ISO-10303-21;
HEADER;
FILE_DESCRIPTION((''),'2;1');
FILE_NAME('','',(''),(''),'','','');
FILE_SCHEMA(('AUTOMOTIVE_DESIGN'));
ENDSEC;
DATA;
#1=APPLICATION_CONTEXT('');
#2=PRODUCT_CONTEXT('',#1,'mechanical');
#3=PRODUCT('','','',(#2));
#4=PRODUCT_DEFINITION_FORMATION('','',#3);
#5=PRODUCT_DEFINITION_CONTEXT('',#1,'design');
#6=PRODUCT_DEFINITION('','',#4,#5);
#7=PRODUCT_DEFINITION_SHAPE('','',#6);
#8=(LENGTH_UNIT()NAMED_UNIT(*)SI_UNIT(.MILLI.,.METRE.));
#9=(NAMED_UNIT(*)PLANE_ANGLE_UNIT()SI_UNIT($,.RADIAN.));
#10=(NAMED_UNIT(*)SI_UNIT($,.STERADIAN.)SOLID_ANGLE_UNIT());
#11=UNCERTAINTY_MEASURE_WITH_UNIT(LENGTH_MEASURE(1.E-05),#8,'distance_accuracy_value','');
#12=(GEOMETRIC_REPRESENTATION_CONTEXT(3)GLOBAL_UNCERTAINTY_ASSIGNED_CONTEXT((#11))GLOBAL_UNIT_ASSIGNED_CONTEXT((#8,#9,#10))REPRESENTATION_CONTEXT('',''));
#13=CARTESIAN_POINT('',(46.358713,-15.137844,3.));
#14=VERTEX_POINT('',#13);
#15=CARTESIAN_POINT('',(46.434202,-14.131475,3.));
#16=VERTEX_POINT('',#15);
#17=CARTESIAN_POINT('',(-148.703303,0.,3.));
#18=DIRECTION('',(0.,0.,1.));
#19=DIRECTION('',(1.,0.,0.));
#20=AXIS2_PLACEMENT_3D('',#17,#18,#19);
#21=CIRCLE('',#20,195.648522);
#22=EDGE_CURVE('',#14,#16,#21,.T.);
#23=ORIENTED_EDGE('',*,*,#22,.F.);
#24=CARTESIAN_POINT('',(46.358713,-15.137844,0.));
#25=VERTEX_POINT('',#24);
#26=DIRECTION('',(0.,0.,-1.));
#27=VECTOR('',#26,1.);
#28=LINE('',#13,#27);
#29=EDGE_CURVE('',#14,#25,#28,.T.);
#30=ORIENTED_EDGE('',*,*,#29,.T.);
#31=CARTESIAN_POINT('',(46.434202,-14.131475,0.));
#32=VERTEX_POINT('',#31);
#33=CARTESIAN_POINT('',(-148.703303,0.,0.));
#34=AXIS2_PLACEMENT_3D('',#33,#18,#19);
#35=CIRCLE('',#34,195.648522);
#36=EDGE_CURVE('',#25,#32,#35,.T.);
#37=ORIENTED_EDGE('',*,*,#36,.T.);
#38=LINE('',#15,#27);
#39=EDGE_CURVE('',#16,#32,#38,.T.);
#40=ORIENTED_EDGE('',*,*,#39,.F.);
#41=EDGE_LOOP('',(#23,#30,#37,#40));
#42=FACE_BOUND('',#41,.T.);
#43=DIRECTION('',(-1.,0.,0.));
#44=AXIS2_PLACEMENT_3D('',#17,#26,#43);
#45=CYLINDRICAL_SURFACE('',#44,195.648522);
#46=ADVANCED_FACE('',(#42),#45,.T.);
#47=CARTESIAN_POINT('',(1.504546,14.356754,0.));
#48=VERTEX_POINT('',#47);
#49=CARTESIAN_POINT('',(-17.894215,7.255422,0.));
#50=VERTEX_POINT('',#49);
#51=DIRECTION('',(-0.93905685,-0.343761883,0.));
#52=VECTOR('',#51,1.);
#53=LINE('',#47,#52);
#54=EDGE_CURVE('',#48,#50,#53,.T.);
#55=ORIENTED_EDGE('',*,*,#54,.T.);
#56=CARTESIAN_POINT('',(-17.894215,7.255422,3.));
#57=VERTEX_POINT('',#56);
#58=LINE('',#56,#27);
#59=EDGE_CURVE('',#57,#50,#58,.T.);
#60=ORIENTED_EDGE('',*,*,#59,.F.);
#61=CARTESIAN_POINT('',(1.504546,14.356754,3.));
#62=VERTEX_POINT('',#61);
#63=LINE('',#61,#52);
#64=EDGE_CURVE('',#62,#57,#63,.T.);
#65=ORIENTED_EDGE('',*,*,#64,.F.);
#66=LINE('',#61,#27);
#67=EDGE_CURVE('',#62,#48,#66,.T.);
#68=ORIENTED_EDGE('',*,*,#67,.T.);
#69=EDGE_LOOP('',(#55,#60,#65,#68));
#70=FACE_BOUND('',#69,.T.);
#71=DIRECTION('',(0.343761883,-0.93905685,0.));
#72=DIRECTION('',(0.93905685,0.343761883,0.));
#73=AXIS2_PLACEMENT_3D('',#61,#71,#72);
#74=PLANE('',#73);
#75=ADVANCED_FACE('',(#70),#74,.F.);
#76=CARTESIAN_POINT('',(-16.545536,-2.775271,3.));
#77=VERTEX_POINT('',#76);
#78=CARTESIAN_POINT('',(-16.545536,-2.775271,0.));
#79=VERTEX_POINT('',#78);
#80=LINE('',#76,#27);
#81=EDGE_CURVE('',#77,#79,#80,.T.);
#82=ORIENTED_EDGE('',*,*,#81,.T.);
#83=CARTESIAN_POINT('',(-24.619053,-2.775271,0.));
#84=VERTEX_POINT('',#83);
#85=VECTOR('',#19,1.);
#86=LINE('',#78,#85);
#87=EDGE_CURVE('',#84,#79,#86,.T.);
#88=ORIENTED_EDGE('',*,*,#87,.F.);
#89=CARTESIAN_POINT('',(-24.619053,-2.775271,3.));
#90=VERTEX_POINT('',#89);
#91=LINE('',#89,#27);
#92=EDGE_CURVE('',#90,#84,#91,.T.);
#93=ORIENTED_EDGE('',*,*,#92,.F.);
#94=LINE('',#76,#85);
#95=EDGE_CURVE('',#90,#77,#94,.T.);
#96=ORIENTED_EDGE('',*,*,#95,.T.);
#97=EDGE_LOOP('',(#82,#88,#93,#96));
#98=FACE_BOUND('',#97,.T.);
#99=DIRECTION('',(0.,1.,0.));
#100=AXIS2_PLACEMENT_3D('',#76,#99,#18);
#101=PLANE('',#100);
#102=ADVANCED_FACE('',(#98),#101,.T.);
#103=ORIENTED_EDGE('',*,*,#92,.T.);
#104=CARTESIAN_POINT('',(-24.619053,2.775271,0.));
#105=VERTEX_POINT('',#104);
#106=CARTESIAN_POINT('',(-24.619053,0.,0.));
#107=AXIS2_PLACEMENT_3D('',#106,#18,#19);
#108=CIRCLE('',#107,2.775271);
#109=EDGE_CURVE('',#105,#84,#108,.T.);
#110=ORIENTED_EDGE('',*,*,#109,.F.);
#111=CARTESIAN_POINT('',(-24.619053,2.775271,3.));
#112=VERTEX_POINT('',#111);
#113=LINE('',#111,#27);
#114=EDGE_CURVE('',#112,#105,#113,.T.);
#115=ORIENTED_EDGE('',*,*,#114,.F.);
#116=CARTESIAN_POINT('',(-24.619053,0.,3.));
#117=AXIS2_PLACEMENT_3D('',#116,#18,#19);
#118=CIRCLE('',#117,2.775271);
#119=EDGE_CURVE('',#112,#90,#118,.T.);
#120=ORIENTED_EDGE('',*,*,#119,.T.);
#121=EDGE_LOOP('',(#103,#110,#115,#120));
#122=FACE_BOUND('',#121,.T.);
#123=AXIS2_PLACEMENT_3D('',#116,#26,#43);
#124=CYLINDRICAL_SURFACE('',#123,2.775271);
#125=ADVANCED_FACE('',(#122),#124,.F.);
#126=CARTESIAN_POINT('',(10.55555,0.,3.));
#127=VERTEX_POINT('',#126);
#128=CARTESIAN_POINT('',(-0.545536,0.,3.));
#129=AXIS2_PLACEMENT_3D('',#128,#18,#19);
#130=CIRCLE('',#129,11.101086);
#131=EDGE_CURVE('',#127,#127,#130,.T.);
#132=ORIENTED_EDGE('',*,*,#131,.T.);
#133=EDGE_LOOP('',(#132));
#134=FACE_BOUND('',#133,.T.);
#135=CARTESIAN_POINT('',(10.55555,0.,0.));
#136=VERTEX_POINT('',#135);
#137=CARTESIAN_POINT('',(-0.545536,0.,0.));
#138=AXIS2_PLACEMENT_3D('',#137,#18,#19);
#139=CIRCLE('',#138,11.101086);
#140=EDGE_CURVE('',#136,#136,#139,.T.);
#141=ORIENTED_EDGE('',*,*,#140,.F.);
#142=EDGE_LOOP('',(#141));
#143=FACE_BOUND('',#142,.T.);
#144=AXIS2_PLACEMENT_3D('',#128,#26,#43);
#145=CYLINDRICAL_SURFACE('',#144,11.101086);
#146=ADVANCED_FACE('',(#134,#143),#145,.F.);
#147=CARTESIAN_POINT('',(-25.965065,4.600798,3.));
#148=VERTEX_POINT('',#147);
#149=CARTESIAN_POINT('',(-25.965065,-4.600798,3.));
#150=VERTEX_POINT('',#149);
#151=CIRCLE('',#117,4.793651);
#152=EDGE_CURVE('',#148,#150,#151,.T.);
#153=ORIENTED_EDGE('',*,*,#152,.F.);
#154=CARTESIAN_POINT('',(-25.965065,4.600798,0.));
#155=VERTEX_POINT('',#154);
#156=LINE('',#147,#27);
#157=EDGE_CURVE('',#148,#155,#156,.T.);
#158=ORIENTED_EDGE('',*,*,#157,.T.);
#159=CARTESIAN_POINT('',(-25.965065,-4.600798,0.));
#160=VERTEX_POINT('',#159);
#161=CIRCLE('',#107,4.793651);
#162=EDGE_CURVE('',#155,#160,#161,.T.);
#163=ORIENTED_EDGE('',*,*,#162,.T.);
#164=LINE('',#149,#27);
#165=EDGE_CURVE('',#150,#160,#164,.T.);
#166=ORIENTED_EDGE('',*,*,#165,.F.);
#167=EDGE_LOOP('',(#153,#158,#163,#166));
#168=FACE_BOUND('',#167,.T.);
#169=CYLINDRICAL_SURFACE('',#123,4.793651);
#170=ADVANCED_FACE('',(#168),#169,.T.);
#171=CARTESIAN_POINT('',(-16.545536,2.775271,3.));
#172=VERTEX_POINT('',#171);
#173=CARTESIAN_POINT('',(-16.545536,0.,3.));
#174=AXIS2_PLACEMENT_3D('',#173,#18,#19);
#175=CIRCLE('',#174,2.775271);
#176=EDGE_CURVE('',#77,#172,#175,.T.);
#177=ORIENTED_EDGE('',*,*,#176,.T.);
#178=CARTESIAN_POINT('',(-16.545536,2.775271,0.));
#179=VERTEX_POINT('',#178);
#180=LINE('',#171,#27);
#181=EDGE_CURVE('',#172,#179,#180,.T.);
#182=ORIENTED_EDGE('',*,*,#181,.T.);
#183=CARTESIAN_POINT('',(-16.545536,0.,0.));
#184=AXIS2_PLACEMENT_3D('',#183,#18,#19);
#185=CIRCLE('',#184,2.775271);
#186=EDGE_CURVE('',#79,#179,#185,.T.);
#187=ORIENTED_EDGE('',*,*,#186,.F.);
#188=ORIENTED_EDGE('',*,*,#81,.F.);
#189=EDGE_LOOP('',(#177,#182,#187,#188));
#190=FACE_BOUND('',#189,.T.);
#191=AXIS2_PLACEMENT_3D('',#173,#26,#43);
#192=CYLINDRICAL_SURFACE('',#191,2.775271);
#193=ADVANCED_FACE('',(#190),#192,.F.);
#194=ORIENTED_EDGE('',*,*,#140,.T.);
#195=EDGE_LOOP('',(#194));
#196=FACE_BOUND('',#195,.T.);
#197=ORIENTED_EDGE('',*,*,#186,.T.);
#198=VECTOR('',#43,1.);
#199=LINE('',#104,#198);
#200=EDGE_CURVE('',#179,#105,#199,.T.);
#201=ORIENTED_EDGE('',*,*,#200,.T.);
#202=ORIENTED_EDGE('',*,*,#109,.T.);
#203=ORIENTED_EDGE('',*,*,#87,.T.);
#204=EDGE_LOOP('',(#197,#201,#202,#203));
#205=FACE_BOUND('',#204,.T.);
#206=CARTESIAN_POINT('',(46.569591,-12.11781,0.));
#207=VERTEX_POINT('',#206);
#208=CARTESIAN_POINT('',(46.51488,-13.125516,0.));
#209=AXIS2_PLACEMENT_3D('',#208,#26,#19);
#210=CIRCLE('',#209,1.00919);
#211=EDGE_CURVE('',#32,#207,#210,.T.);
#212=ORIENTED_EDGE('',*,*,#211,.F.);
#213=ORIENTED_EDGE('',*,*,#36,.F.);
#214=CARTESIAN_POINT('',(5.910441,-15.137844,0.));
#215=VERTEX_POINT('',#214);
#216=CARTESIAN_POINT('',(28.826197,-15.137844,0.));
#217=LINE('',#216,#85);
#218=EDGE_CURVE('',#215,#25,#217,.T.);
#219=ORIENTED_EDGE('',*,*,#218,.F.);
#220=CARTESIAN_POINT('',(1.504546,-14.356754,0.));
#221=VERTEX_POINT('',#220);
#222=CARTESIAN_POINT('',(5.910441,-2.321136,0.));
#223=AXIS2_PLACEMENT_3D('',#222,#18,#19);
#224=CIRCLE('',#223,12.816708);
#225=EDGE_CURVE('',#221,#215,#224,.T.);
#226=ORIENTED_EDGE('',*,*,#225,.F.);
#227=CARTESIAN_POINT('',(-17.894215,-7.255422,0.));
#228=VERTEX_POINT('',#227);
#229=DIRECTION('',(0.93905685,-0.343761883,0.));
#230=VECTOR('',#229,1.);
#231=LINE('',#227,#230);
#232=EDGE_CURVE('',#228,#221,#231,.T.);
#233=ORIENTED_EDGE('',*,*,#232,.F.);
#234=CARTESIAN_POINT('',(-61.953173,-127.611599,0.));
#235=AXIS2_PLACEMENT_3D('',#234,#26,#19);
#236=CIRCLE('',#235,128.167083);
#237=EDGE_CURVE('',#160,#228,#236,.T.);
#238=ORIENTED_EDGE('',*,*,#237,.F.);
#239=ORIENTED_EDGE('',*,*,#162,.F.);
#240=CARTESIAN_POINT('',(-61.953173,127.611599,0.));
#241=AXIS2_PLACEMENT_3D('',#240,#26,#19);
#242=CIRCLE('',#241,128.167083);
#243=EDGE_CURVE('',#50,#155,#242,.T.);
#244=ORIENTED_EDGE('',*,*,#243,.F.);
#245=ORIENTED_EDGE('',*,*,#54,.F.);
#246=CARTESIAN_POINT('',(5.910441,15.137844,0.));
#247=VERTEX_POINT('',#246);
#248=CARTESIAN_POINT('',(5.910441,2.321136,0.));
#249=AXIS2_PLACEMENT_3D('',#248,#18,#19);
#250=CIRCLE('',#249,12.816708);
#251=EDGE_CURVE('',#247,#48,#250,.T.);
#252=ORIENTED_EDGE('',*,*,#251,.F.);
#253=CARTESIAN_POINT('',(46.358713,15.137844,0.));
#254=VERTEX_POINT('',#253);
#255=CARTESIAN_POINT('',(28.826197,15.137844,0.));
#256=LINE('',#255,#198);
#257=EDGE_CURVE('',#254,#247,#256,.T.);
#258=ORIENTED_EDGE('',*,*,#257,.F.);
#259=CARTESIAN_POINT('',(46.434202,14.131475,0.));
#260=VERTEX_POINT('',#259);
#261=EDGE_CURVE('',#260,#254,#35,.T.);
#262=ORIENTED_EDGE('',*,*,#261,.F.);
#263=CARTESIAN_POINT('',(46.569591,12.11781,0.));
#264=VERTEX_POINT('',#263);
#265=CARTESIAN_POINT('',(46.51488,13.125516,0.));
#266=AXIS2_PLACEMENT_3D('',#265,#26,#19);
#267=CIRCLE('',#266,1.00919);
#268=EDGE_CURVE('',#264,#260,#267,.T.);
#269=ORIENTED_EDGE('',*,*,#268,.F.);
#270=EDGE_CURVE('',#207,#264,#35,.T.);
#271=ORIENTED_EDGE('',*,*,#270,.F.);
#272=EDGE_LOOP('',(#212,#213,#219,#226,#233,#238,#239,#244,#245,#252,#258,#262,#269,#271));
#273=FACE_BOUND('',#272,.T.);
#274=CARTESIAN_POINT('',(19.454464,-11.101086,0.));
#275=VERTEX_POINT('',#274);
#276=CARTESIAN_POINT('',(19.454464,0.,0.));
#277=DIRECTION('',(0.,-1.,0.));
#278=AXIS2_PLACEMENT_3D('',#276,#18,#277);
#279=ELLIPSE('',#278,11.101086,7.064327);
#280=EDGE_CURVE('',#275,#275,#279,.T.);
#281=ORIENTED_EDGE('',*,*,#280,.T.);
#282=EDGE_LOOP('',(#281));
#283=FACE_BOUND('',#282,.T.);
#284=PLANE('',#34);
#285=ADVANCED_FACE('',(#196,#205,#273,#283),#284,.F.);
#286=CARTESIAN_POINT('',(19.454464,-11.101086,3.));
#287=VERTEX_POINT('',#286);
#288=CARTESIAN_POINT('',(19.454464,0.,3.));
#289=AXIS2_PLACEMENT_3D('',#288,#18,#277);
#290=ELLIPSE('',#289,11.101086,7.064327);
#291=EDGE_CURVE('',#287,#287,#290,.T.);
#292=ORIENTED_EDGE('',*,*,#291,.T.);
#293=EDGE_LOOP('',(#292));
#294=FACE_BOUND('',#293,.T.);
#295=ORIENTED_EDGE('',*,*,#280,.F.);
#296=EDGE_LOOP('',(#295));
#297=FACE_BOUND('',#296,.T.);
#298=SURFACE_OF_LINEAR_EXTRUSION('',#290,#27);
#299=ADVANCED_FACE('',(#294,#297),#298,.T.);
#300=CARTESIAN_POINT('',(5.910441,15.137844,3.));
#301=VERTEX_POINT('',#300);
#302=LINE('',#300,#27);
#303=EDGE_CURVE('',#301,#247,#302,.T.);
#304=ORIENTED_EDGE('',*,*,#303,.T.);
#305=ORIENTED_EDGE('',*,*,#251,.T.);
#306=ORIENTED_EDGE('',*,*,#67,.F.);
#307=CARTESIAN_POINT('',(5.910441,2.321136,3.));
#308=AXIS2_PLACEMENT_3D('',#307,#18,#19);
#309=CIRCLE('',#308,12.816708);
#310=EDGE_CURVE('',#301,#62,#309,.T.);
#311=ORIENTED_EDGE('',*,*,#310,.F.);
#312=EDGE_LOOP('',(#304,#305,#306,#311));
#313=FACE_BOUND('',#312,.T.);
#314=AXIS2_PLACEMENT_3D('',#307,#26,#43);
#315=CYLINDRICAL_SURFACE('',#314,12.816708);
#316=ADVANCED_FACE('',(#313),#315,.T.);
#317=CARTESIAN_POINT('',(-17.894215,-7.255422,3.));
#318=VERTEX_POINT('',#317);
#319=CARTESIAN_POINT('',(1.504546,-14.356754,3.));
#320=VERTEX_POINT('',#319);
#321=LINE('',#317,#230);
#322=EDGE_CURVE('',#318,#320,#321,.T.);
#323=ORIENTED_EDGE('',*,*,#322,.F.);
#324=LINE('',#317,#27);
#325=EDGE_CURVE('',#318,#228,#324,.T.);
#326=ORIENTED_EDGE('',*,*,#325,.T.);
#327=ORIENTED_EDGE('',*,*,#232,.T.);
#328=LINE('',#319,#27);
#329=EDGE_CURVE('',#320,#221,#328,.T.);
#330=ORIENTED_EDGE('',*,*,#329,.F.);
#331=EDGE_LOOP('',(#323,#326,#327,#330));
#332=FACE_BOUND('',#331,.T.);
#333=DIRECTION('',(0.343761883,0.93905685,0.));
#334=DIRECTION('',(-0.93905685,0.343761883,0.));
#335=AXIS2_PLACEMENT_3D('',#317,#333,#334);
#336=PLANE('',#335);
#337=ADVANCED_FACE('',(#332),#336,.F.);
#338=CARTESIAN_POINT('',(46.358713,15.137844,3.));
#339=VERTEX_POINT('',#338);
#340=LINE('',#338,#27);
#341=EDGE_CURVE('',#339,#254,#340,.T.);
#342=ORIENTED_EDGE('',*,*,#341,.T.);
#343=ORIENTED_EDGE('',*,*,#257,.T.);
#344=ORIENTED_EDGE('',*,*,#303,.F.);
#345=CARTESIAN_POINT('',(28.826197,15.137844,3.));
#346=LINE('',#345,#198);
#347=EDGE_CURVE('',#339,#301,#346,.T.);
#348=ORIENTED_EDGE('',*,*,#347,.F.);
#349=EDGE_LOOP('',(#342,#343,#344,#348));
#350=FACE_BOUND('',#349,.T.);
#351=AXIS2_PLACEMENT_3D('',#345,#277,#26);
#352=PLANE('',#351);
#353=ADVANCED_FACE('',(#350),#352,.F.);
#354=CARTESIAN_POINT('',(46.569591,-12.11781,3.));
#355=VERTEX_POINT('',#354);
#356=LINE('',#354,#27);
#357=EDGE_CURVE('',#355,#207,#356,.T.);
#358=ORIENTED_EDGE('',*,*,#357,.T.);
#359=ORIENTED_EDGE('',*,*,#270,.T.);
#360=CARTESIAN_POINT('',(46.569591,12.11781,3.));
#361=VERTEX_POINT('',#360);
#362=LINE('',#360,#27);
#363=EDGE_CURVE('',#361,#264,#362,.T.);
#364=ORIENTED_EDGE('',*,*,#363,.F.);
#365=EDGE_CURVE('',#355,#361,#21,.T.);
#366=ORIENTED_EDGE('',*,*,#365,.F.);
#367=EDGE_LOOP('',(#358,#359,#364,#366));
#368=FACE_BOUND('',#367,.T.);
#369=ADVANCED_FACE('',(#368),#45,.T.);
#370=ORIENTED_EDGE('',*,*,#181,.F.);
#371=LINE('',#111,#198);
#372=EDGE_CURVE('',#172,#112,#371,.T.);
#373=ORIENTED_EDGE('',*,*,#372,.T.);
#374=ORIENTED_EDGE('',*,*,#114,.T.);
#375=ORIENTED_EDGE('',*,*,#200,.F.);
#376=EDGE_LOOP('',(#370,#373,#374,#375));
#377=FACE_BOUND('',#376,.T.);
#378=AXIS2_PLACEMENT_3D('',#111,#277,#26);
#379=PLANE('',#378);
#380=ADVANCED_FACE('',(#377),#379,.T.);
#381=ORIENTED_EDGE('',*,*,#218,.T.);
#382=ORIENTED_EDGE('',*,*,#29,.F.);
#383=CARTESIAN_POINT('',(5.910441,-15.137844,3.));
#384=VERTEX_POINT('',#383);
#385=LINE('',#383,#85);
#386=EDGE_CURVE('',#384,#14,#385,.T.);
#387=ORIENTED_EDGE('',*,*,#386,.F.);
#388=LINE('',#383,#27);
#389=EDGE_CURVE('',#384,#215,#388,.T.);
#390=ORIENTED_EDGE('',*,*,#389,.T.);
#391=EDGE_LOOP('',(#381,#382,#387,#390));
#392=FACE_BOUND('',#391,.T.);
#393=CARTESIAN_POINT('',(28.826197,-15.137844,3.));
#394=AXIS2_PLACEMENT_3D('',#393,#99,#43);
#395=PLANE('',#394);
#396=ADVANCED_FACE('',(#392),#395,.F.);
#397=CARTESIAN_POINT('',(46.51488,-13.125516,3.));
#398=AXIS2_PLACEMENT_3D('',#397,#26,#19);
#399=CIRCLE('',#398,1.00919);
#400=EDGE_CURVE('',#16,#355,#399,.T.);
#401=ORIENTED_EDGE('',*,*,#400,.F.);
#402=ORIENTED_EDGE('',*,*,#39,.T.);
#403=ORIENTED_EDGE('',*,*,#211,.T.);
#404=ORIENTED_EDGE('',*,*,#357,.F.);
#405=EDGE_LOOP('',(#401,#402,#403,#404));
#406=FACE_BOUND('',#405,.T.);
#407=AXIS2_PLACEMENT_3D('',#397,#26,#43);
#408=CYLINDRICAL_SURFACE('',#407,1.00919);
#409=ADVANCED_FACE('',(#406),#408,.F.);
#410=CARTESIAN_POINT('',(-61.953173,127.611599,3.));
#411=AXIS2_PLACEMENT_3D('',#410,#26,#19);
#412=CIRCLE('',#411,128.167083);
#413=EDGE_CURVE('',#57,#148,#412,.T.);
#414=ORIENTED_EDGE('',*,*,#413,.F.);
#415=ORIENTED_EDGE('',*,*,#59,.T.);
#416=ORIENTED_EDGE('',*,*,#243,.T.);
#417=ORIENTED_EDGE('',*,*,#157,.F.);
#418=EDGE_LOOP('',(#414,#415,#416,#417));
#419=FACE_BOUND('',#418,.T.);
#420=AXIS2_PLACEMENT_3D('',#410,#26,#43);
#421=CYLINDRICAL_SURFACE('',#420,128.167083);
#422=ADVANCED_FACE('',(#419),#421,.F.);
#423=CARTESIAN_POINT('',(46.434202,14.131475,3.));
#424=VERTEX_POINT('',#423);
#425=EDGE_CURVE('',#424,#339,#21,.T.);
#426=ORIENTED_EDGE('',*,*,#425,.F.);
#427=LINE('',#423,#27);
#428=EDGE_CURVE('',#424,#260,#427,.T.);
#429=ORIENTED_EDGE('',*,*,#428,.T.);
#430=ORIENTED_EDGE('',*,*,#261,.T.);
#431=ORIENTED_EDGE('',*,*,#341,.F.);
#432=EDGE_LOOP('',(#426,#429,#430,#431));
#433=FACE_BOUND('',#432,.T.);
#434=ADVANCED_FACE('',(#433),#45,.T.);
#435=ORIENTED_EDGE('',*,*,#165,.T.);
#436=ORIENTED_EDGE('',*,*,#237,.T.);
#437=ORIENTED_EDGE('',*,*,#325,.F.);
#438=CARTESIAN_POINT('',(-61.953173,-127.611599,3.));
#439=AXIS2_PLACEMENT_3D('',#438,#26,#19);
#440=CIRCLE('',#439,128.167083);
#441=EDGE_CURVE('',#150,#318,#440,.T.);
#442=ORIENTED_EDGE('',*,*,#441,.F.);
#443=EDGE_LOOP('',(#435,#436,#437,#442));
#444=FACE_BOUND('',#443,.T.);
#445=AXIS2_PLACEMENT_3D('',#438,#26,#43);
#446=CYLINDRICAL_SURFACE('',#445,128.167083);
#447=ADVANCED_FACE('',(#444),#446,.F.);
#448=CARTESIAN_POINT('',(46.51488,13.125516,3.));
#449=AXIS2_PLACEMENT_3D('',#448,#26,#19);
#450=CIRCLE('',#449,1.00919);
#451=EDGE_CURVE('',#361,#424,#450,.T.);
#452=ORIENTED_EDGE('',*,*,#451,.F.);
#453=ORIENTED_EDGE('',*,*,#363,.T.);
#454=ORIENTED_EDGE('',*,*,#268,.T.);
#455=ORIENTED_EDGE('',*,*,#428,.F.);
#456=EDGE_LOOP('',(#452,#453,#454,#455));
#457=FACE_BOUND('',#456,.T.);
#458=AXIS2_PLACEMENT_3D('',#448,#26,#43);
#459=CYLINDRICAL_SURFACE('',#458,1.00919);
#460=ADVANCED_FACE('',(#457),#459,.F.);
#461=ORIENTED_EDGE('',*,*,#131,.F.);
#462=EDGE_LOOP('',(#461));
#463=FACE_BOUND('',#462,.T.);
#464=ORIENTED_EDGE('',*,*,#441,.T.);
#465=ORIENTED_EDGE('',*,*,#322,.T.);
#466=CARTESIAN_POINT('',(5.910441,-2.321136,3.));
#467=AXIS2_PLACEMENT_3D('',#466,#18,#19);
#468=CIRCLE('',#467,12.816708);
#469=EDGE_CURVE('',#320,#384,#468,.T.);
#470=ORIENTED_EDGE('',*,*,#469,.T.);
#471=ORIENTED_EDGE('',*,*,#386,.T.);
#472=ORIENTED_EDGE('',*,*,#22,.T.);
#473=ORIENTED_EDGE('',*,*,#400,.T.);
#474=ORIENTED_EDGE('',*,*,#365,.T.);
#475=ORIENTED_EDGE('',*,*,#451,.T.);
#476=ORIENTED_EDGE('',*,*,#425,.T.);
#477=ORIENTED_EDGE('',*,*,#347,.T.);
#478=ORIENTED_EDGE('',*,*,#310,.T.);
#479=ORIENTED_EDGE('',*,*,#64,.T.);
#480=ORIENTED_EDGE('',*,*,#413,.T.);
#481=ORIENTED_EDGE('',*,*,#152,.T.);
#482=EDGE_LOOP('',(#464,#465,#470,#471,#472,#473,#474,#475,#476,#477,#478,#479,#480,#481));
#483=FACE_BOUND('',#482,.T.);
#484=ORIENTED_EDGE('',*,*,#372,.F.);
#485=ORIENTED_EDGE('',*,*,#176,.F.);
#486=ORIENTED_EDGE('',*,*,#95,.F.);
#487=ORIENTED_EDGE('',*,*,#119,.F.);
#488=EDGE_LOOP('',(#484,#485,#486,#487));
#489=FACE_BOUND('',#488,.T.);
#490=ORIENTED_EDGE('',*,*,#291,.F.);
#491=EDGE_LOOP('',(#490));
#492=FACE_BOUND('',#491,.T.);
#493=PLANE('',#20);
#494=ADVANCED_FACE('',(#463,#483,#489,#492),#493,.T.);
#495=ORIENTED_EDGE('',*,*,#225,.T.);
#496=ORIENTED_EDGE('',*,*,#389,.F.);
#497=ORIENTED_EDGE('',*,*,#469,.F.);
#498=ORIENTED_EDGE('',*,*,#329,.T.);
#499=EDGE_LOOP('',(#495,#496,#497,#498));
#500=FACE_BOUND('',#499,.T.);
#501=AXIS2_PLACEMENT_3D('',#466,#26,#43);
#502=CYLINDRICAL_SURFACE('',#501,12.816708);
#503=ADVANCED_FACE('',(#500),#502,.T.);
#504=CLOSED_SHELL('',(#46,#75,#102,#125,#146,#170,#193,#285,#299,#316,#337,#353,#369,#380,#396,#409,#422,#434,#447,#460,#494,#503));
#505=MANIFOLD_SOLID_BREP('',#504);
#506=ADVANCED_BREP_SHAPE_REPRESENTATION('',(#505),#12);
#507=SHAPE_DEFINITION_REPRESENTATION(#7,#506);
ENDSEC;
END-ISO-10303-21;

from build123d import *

# Parameters (mm, degrees)
SKETCH1_R           = 11.1010859
SKETCH1_RX          = 11.1010859
SKETCH1_RY          = 7.064327391
BOSS_EXTRUDE1_DEPTH = 3


with BuildPart() as part:
    # Sketch1 → Boss-Extrude1 (new body)
    with BuildSketch(Plane.XY):
        with BuildLine():
            Line((28.826197236, 15.137844409), (5.91044133, 15.137844409))
            ThreePointArc((5.91044133, 15.137844409), (3.673142738, 14.941061094), (1.504545567, 14.356753838))
            Line((1.504545567, 14.356753838), (-17.894214973, 7.255421854))
            ThreePointArc((-17.894214973, 7.255421854), (-21.907637047, 5.861214166), (-25.965065064, 4.60079768))
            ThreePointArc((-25.965065064, 4.60079768), (-29.412703897, 0), (-25.965065064, -4.60079768))
            ThreePointArc((-25.965065064, -4.60079768), (-21.907637047, -5.861214166), (-17.894214973, -7.255421854))
            Line((-17.894214973, -7.255421854), (1.504545567, -14.356753838))
            ThreePointArc((1.504545567, -14.356753838), (3.673142738, -14.941061094), (5.91044133, -15.137844409))
            Line((5.91044133, -15.137844409), (28.826197236, -15.137844409))
            Line((28.826197236, -15.137844409), (46.358712744, -15.137844409))
            ThreePointArc((46.358712744, -15.137844409), (46.397106085, -14.634708554), (46.434201657, -14.131475353))
            ThreePointArc((46.434201657, -14.131475353), (45.709460852, -13.733597625), (45.525288247, -12.927597395))
            ThreePointArc((45.525288247, -12.927597395), (45.896463104, -12.328004553), (46.569590651, -12.117810222))
            ThreePointArc((46.569590651, -12.117810222), (46.945219405, 0), (46.569590651, 12.117810222))
            ThreePointArc((46.569590651, 12.117810222), (45.752067528, 12.464773232), (45.525288247, 13.323434133))
            ThreePointArc((45.525288247, 13.323434133), (45.844356214, 13.879744795), (46.434201657, 14.131475353))
            ThreePointArc((46.434201657, 14.131475353), (46.397106085, 14.634708554), (46.358712744, 15.137844409))
            Line((46.358712744, 15.137844409), (28.826197236, 15.137844409))
        make_face()
        with Locations((-0.54553615, 0)):
            Circle(SKETCH1_R, mode=Mode.SUBTRACT)
        with Locations(Location((19.45446385, 0), (0, 0, -90))):
            Ellipse(SKETCH1_RX, SKETCH1_RY, mode=Mode.SUBTRACT)
        with BuildLine():
            Line((-16.54553615, -2.775271475), (-24.619053168, -2.775271475))
            ThreePointArc((-24.619053168, -2.775271475), (-27.394324643, 0), (-24.619053168, 2.775271475))
            Line((-24.619053168, 2.775271475), (-16.54553615, 2.775271475))
            ThreePointArc((-16.54553615, 2.775271475), (-13.770264675, 0), (-16.54553615, -2.775271475))
        make_face(mode=Mode.SUBTRACT)
    extrude(amount=BOSS_EXTRUDE1_DEPTH)


solid = part.part
